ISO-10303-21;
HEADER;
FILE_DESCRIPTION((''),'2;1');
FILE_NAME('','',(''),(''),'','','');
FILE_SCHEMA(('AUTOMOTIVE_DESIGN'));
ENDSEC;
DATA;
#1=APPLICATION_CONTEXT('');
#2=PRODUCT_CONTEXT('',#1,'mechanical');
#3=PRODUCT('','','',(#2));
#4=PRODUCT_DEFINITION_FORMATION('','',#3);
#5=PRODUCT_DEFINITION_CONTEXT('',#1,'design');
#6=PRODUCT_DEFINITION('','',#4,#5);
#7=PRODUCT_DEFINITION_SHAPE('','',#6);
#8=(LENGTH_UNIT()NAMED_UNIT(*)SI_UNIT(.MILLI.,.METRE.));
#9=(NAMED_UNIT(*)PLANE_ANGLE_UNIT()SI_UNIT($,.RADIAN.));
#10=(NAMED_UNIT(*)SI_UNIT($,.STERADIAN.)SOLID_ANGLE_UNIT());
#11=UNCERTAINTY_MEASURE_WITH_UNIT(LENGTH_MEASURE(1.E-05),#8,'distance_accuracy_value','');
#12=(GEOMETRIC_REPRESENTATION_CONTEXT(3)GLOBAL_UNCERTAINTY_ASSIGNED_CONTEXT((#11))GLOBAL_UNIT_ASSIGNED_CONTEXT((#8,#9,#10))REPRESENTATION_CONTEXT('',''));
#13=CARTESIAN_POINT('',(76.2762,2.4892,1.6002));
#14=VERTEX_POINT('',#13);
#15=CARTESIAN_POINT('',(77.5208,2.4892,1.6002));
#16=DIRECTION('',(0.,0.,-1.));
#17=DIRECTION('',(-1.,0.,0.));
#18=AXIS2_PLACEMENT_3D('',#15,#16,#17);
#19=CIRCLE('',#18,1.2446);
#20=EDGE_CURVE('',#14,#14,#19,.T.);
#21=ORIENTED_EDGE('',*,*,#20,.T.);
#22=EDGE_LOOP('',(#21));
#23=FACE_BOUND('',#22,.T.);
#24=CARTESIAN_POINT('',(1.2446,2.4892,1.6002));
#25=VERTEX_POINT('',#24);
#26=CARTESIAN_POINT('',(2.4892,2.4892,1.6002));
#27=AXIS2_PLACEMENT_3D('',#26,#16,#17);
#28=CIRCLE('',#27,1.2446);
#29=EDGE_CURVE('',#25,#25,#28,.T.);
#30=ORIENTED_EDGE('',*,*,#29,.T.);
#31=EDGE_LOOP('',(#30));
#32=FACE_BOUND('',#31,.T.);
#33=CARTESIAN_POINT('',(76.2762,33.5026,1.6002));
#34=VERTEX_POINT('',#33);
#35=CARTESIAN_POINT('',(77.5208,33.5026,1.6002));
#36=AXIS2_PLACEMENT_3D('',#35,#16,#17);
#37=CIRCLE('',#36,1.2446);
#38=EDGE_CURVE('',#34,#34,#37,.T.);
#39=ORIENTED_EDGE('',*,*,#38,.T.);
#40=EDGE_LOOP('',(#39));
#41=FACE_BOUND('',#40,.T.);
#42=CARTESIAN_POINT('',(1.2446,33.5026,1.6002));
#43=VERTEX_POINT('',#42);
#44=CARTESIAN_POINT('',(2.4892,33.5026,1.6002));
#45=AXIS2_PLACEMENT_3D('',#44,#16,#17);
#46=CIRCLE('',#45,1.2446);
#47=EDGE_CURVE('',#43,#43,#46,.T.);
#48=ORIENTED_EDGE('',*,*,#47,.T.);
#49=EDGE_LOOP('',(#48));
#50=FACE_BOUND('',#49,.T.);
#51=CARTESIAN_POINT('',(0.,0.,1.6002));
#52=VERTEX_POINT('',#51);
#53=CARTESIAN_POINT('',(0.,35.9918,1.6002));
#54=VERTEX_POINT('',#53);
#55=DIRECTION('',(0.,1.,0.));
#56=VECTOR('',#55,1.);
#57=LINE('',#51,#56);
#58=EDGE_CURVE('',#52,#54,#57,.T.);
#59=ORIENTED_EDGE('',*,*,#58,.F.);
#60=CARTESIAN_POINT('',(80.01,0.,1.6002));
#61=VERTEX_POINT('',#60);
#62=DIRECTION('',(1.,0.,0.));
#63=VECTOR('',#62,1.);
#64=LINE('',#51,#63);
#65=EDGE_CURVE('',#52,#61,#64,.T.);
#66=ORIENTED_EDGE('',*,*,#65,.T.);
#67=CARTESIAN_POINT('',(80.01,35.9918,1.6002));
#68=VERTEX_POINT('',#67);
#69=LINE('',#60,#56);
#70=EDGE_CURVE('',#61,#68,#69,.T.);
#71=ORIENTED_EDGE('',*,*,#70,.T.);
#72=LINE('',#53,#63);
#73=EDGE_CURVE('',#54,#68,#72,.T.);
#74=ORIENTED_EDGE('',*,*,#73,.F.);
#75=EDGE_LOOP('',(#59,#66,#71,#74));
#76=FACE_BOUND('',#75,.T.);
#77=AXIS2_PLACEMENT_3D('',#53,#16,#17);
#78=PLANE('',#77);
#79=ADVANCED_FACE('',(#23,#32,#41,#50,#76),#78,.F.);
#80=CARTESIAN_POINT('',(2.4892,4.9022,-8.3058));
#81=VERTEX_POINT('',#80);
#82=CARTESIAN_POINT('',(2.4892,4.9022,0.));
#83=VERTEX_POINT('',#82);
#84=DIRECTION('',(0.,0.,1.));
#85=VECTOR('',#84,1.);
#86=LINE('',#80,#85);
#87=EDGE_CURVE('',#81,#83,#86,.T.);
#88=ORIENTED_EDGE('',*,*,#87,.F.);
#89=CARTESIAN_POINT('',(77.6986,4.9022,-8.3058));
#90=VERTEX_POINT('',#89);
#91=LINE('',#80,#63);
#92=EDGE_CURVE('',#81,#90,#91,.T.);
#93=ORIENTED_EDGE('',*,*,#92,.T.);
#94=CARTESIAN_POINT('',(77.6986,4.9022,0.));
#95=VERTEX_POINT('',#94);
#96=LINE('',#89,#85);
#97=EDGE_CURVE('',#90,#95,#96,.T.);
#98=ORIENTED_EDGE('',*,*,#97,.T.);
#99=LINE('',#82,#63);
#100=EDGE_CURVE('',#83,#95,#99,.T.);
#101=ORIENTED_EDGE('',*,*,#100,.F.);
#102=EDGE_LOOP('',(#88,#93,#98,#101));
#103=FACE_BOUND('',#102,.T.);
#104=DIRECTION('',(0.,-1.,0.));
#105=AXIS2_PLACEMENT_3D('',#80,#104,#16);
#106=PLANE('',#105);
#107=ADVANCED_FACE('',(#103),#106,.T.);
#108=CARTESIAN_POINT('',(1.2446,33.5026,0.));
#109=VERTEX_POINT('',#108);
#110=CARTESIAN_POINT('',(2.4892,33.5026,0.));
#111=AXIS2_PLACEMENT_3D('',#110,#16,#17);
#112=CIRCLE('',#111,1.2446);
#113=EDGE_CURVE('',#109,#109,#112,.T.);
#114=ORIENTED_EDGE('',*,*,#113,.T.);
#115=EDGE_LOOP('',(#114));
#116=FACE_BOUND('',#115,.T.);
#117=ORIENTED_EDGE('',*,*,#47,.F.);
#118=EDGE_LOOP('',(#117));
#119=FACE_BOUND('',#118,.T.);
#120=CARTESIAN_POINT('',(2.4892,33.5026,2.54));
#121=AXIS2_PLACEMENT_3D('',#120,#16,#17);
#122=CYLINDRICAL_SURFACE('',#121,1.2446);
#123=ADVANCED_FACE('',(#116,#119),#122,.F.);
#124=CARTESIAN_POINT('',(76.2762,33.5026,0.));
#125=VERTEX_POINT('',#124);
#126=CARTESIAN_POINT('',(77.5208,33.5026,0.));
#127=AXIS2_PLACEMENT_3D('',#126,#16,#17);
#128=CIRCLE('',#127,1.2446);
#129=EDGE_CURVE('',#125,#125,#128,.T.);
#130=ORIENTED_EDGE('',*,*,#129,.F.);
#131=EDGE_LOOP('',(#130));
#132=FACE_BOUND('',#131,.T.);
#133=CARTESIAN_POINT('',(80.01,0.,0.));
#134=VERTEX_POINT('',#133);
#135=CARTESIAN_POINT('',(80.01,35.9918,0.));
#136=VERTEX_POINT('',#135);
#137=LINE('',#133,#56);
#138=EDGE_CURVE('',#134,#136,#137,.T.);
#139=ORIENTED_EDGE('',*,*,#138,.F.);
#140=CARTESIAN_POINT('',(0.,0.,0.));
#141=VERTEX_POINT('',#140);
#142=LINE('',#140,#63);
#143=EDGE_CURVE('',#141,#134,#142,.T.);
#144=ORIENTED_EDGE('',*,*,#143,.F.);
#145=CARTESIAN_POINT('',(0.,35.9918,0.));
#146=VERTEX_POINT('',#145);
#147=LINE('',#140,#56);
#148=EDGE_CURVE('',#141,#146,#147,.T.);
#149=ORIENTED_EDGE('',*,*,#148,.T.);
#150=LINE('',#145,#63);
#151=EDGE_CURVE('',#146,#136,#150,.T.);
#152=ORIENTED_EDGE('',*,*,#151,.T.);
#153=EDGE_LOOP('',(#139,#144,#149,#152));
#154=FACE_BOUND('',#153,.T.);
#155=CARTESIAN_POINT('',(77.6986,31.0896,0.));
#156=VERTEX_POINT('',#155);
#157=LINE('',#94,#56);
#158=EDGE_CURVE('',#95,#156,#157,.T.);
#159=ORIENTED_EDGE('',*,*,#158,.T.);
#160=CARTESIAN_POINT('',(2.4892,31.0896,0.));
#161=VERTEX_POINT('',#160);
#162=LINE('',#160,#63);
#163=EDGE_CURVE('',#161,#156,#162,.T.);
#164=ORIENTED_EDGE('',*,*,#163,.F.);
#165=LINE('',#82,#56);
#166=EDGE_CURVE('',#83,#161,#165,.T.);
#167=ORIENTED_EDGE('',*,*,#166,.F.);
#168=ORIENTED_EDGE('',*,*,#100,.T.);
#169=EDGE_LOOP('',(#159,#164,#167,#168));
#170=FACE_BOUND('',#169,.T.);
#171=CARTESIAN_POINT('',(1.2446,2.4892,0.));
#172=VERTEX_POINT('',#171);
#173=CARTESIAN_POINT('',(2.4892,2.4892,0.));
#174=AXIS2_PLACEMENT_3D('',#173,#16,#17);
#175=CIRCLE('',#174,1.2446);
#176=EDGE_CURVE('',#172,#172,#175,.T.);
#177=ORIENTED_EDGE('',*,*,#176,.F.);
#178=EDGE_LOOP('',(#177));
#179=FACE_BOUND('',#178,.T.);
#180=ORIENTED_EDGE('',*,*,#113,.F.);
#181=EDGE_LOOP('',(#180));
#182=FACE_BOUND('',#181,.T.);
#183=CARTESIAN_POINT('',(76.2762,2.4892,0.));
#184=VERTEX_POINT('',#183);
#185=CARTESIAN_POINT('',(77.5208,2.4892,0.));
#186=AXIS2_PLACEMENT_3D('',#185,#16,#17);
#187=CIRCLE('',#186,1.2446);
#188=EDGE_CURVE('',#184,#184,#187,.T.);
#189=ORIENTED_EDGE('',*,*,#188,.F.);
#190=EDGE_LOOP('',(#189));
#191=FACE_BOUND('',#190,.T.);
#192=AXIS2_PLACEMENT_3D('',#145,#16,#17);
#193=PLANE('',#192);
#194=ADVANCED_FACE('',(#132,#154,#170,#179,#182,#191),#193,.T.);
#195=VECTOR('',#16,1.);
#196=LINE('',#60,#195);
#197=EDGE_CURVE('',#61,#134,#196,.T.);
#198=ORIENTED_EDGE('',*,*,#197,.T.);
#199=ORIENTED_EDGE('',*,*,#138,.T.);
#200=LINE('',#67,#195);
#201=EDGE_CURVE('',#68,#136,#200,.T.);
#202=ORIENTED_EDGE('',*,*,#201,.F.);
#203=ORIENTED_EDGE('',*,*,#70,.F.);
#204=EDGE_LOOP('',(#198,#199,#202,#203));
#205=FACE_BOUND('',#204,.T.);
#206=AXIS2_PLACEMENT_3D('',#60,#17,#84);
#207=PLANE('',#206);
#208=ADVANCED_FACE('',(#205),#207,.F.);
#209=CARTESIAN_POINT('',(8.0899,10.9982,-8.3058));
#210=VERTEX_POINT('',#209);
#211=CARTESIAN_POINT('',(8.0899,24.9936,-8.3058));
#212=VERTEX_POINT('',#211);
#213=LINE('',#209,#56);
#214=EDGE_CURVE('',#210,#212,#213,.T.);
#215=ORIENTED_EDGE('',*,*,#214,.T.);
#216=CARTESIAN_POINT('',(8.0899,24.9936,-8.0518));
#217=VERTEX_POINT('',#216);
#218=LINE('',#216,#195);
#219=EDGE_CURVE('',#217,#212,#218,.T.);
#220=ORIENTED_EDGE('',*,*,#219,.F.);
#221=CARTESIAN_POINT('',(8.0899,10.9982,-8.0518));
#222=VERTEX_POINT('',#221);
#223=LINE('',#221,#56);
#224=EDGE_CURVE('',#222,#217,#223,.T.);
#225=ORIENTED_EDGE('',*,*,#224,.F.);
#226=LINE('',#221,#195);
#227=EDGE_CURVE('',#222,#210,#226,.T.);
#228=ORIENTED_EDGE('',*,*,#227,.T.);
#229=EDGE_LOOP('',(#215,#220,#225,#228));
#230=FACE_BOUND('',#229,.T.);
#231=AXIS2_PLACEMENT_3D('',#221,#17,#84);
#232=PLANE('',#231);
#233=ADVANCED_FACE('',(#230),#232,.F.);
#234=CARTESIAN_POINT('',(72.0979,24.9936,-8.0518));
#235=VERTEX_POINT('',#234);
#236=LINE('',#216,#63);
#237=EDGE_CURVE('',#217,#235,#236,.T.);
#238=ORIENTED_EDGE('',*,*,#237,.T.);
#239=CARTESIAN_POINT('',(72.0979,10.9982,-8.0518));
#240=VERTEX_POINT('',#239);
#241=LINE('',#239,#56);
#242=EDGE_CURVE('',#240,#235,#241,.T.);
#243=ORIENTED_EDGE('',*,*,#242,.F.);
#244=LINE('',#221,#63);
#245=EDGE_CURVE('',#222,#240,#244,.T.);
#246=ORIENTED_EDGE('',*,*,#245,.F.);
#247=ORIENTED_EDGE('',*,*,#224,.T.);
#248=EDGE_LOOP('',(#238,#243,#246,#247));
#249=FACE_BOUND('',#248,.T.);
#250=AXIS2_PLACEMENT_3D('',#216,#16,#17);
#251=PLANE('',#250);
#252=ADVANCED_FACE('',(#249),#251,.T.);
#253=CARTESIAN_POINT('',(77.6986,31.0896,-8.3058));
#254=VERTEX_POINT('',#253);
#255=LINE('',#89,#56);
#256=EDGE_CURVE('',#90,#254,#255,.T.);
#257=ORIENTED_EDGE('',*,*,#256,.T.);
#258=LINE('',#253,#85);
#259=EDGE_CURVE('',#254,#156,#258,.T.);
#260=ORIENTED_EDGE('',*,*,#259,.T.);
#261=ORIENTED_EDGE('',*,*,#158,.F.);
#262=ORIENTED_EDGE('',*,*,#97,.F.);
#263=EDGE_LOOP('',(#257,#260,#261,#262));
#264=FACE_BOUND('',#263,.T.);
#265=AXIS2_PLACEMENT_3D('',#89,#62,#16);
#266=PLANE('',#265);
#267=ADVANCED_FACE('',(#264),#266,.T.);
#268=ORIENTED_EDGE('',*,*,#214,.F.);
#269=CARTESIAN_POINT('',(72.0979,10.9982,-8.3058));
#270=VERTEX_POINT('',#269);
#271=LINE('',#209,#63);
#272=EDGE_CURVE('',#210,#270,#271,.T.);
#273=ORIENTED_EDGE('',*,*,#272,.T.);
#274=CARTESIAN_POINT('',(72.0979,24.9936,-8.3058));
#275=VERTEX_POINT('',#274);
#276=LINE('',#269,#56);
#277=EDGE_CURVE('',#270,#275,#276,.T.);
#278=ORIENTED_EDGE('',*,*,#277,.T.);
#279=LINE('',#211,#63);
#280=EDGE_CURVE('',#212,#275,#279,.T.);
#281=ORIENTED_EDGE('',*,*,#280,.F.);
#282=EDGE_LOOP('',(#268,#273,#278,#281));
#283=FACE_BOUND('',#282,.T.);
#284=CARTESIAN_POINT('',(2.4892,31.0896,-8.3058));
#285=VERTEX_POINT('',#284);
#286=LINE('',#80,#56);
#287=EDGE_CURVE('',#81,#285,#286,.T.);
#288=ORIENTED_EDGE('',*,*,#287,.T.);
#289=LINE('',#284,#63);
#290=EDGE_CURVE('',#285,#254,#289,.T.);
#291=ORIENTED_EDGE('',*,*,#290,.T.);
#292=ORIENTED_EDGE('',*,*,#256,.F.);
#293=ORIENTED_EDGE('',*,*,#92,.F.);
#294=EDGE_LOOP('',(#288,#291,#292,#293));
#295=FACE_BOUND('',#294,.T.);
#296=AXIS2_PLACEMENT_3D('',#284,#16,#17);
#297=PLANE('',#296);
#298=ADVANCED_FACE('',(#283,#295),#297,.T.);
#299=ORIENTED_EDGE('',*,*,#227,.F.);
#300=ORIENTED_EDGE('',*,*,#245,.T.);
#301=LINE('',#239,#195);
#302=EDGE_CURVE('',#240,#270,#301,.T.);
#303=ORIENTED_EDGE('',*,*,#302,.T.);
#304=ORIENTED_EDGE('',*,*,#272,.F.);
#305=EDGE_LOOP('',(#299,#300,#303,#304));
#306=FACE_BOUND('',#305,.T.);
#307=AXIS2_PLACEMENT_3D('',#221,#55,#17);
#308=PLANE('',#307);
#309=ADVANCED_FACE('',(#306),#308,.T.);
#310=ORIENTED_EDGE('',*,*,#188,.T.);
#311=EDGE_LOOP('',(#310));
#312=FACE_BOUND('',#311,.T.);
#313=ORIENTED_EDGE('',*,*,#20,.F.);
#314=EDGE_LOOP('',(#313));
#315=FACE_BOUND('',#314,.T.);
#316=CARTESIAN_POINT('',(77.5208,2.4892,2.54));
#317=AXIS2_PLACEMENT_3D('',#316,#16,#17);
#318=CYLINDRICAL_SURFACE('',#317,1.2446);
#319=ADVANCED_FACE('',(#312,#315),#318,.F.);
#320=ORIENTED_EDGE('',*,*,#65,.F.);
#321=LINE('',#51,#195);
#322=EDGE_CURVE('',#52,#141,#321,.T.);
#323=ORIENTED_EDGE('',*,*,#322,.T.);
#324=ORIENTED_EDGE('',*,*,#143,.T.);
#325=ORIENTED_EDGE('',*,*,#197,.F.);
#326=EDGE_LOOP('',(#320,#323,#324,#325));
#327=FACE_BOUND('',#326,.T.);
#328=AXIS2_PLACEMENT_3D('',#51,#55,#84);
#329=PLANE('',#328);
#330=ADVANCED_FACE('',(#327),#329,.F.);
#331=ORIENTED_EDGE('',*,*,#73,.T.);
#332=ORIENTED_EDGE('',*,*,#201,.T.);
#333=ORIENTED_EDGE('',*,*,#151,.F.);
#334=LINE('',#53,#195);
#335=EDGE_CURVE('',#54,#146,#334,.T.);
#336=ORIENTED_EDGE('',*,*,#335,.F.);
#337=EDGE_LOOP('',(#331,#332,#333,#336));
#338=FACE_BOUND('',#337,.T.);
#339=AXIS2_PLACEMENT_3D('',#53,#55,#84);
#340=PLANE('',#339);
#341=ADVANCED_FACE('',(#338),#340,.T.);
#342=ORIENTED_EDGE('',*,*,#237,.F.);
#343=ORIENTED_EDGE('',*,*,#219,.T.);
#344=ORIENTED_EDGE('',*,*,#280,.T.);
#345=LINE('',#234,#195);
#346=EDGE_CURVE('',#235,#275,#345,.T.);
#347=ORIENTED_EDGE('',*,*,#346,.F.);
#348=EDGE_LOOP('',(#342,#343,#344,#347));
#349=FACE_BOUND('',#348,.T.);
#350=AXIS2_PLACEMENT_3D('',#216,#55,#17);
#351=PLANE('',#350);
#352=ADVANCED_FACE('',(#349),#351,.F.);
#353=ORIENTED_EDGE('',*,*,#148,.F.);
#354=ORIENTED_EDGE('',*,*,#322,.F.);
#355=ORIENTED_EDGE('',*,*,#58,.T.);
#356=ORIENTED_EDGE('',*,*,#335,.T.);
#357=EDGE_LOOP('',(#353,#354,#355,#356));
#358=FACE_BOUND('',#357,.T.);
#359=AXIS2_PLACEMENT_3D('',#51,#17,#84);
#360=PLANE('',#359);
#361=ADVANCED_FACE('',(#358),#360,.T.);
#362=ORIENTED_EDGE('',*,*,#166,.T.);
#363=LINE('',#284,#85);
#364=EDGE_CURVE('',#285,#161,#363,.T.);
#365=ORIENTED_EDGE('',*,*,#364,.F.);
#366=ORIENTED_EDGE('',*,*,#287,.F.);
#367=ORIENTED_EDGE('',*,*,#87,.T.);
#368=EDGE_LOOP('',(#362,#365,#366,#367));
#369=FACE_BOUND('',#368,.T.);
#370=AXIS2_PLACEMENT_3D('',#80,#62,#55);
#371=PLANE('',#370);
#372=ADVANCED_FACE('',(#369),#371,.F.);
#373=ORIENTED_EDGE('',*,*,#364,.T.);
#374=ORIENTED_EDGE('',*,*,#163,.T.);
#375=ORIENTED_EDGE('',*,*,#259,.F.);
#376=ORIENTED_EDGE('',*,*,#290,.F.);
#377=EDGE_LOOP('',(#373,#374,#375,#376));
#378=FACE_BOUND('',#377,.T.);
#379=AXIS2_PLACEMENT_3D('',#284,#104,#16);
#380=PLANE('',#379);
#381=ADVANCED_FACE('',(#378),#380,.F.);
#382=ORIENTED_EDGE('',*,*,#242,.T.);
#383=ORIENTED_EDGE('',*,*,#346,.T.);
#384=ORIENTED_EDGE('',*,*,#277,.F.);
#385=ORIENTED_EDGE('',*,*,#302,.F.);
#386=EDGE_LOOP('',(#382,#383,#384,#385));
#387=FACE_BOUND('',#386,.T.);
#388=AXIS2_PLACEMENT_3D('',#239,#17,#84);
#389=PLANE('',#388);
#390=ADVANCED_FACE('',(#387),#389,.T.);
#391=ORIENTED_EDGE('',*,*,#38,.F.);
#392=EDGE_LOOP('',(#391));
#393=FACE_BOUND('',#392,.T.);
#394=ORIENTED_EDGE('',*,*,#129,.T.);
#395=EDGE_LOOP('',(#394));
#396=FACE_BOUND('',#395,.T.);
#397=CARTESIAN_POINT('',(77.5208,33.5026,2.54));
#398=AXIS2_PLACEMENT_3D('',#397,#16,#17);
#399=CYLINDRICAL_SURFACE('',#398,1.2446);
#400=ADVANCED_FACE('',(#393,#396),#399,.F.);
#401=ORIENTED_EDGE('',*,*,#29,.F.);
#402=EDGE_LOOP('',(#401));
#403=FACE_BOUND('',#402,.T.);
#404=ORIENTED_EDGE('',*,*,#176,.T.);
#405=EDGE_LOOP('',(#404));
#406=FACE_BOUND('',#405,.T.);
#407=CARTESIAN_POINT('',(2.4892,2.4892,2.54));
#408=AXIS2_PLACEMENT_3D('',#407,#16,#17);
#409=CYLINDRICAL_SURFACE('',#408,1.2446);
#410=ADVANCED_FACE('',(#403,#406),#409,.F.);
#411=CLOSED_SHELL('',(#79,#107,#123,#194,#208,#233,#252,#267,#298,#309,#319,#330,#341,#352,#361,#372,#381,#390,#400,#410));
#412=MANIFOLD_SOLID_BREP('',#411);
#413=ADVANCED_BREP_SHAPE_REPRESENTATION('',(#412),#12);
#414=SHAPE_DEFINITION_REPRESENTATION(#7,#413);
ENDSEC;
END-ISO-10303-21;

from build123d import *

# Parameters (mm, degrees)
SKETCH1_W           = 80.01
SKETCH1_H           = 35.9918
BOSS_EXTRUDE1_DEPTH = 1.6002
SKETCH1_3_W         = 75.2094
SKETCH1_3_H         = 26.1874
BOSS_EXTRUDE2_DEPTH = 8.3058
SKETCH2_W           = 64.008
SKETCH2_H           = 13.9954
CUT_EXTRUDE1_DEPTH  = 0.254
SKETCH3_R           = 1.2446
CUT_EXTRUDE2_DEPTH  = 2.54


with BuildPart() as part:
    # Sketch1 → Boss-Extrude1 (new body)
    with BuildSketch(Plane.XY):
        with Locations((40.005, 17.9959)):
            Rectangle(SKETCH1_W, SKETCH1_H)
    extrude(amount=BOSS_EXTRUDE1_DEPTH)

    # Sketch1<3> → Boss-Extrude2 (add)
    with BuildSketch(Plane.XY):
        with Locations((40.0939, 17.9959)):
            Rectangle(SKETCH1_3_W, SKETCH1_3_H)
    extrude(amount=-BOSS_EXTRUDE2_DEPTH)

    # Sketch2 → Cut-Extrude1 (cut)
    with BuildSketch(Plane(origin=(0, 0, -8.3058), x_dir=(-1, 0, 0), z_dir=(0, 0, -1))):
        with Locations((-40.0939, 17.9959)):
            Rectangle(SKETCH2_W, SKETCH2_H)
    extrude(amount=-CUT_EXTRUDE1_DEPTH, mode=Mode.SUBTRACT)

    # Sketch3 → Cut-Extrude2 (cut)
    with BuildSketch(Plane(origin=(0, 0, 0), x_dir=(-1, 0, 0), z_dir=(0, 0, -1))):
        with Locations((-77.5208, 2.4892)):
            Circle(SKETCH3_R)
        with Locations((-77.5208, 33.5026)):
            Circle(SKETCH3_R)
        with Locations((-2.4892, 33.5026)):
            Circle(SKETCH3_R)
        with Locations((-2.4892, 2.4892)):
            Circle(SKETCH3_R)
    extrude(amount=-CUT_EXTRUDE2_DEPTH, mode=Mode.SUBTRACT)


solid = part.part
